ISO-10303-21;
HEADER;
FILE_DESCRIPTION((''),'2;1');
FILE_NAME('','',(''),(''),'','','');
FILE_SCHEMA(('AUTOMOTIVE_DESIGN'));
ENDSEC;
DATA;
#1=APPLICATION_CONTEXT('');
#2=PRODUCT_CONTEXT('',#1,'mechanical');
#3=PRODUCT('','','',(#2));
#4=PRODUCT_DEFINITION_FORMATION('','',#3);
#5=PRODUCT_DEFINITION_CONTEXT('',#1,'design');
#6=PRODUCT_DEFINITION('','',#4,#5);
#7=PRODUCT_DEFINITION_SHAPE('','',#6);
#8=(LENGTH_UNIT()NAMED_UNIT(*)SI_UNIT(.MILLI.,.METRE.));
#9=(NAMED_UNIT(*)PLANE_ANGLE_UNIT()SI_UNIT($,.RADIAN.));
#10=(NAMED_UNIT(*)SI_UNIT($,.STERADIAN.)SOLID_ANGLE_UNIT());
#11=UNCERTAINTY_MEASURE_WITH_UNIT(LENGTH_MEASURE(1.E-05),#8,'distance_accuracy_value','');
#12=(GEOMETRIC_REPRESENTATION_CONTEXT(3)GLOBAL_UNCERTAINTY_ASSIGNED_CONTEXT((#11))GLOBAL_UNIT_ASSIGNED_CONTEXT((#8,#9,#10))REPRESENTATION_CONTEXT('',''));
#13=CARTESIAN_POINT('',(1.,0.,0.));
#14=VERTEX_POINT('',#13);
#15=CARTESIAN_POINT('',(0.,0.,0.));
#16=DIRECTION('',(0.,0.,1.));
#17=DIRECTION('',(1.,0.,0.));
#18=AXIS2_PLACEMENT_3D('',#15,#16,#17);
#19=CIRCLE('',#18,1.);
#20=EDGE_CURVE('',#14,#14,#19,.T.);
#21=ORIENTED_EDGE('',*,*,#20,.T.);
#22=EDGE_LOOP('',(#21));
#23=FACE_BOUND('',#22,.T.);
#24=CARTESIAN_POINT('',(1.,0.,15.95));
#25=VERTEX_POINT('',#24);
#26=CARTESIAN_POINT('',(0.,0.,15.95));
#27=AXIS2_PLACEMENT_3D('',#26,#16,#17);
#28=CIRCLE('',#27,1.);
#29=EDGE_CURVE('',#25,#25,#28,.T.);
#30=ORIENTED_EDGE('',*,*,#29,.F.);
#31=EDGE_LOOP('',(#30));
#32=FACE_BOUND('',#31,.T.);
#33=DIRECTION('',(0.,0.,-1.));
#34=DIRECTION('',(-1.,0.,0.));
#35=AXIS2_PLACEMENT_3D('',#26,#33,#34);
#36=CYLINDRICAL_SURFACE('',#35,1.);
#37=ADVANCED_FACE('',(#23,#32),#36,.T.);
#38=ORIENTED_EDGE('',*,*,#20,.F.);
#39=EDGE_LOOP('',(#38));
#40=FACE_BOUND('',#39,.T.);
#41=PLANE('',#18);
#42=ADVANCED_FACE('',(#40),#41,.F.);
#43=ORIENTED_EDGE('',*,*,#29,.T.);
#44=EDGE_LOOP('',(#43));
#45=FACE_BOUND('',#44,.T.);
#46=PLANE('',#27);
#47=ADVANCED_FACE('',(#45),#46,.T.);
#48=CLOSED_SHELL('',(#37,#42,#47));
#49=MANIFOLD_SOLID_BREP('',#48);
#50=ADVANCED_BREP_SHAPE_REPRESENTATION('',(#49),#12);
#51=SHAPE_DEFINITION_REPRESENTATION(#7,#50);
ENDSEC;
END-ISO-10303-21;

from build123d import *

# Parameters (mm, degrees)
SKETCH_1_R      = 1
EXTRUDE_1_DEPTH = 15.95


with BuildPart() as part:
    # 草图1 → 凸台-拉伸1 (new body)
    with BuildSketch(Plane.XY):
        Circle(SKETCH_1_R)
    extrude(amount=EXTRUDE_1_DEPTH)


solid = part.part
